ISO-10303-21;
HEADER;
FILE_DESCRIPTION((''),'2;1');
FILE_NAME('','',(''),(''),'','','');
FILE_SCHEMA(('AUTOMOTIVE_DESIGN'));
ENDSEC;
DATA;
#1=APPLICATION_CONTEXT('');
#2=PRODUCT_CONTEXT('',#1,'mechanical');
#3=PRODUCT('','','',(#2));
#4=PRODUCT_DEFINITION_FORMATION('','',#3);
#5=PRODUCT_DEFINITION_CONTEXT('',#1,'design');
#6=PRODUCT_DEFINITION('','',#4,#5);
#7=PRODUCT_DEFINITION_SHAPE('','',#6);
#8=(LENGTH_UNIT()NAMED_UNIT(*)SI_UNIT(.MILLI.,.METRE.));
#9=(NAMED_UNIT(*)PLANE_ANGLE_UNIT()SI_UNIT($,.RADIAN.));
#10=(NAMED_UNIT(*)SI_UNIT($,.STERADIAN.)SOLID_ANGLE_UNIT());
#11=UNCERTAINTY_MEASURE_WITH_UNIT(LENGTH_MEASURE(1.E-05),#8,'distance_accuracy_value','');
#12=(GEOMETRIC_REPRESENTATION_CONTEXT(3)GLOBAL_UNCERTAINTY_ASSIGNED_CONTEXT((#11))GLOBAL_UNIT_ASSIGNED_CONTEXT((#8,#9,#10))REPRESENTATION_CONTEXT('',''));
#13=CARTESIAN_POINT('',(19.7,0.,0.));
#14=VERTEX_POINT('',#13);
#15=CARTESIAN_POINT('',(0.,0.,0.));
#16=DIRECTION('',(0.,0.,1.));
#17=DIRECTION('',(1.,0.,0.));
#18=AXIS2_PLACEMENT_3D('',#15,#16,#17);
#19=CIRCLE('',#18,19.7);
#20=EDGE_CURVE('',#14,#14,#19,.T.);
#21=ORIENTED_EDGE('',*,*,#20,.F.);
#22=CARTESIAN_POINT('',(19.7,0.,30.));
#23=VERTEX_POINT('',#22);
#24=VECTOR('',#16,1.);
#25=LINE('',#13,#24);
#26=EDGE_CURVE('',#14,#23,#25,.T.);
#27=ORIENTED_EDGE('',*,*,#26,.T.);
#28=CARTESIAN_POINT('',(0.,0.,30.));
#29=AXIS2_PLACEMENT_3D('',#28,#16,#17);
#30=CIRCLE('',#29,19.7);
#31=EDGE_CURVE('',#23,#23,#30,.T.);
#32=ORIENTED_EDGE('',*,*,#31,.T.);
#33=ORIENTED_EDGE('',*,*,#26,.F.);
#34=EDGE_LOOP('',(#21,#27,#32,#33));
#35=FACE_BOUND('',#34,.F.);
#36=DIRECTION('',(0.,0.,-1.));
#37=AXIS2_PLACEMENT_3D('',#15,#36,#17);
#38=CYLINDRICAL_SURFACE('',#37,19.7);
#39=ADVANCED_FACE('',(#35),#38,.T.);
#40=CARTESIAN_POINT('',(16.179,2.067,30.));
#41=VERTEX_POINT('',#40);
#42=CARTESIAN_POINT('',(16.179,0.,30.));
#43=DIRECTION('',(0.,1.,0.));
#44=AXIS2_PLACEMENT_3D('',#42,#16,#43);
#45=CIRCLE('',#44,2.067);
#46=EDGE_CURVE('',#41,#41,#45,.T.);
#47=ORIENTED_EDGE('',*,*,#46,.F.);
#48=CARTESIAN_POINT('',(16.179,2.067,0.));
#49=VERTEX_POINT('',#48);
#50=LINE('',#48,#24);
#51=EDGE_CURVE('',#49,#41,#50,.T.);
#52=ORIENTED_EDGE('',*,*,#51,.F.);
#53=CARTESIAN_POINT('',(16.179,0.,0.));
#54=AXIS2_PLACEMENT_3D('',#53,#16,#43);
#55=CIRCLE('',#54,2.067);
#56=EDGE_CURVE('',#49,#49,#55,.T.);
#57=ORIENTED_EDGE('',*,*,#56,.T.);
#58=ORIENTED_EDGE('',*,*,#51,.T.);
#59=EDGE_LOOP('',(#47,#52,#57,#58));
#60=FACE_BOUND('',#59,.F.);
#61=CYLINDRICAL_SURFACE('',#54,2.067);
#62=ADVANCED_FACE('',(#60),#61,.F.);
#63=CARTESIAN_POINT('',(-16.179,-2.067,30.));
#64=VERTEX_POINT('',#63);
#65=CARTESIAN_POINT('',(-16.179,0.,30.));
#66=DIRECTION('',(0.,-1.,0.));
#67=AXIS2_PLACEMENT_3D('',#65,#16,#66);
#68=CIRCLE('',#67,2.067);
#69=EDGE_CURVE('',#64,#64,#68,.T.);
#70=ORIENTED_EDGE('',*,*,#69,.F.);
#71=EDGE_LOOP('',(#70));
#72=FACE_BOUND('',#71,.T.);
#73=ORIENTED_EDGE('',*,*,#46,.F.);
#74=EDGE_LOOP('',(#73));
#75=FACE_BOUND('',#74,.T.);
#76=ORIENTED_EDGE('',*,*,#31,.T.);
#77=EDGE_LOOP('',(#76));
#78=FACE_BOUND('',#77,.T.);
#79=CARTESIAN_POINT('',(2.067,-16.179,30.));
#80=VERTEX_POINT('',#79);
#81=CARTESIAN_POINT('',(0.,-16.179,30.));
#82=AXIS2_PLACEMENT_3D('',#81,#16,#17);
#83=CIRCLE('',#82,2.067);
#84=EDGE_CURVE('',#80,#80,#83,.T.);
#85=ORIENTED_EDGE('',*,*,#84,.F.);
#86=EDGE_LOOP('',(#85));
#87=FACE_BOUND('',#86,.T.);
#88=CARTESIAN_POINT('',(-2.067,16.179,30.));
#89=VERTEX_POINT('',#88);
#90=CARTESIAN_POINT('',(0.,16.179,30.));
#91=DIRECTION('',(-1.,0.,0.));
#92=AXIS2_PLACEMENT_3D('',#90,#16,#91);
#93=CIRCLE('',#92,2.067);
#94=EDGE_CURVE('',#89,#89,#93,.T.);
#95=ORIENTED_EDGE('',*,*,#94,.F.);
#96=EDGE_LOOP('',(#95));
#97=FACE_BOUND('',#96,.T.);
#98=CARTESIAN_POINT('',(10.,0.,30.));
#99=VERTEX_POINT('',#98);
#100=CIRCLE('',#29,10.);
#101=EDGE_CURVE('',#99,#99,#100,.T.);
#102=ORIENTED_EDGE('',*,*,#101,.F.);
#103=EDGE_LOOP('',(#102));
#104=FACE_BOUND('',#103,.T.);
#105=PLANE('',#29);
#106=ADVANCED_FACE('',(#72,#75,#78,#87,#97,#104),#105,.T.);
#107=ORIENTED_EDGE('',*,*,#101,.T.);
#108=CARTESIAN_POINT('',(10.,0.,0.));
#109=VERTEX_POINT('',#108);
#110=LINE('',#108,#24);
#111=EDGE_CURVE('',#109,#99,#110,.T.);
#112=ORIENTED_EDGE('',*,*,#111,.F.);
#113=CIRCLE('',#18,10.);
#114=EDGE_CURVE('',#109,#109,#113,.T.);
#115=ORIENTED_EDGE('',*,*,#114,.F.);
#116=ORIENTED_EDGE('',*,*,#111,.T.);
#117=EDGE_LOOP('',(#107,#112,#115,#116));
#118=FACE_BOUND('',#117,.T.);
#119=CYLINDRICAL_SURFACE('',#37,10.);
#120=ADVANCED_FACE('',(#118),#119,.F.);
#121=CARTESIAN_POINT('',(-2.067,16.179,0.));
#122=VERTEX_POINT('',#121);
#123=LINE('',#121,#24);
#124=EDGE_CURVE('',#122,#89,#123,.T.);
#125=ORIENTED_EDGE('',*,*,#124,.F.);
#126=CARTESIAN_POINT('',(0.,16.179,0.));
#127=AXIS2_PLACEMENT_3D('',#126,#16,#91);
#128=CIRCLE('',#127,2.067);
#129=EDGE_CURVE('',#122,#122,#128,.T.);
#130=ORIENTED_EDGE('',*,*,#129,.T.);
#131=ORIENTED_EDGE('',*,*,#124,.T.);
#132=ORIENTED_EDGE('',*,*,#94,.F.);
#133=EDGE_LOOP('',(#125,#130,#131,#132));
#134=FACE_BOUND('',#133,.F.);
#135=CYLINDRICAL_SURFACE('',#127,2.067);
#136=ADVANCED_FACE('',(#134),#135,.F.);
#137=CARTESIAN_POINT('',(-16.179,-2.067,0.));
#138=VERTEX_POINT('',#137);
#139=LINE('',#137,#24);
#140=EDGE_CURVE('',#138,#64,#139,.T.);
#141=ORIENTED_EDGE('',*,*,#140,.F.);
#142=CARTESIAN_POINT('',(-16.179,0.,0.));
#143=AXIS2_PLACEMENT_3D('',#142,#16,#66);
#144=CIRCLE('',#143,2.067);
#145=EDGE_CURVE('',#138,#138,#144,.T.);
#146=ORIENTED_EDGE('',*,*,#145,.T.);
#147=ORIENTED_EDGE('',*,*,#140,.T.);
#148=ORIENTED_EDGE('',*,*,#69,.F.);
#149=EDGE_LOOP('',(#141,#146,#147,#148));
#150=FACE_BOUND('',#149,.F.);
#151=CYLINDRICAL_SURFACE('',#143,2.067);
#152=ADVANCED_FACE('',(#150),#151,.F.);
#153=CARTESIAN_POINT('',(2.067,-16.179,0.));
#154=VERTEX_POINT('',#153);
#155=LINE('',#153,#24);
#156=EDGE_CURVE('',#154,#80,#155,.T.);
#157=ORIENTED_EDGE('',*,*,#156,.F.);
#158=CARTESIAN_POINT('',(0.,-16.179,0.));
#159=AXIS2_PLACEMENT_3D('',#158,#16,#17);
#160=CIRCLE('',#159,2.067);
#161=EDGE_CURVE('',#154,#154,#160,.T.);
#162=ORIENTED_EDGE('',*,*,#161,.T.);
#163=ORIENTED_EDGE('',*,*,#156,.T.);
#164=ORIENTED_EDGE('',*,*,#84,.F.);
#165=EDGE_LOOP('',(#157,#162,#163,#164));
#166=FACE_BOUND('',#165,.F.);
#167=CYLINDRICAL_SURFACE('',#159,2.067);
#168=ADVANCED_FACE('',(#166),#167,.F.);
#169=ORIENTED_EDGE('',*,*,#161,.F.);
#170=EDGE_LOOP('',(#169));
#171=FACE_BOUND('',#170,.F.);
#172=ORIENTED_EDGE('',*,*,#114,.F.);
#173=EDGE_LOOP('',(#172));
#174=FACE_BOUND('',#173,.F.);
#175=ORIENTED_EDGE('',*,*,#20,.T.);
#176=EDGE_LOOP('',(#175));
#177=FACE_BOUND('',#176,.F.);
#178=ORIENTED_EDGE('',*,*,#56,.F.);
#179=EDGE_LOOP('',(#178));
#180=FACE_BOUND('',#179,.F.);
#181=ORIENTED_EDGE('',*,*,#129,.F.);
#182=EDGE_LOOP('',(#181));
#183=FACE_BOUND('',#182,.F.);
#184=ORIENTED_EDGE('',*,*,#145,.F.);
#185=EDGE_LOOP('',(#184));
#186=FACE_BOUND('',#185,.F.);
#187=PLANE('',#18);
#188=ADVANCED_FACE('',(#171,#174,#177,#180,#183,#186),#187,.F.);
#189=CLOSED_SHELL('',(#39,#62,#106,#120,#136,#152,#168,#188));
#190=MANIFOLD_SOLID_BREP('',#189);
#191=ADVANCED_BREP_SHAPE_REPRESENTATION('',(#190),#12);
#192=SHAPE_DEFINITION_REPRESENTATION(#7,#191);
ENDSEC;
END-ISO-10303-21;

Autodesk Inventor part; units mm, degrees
ref_plane "YZ Plane" through (0, 0, 0) normal (1, 0, 0) x (0, 1, 0)
ref_plane "XZ Plane" through (0, 0, 0) normal (0, 1, 0) x (-1, 0, 0)
ref_plane "XY Plane" through (0, 0, 0) normal (0, 0, 1) x (1, 0, 0)
sketch "草圖1" plane through (0, 0, 0) normal (0, 0, 1) x (1, 0, 0)
  line L0 (0, 27.58) -> (0, -27.58) construction
  line L1 (0, -27.58) -> (0, 27.58) construction
  line L2 (-27.58, 0) -> (27.58, 0) construction
  circle A0 centre (0, 0) radius 10
  circle A1 centre (0, 0) radius 16.179 construction
  circle A2 centre (0, 0) radius 19.7
  point P0 (16.179, 0)
  dimension "d1" = 32.358
  dimension "d0" = 20
  dimension "d2" = 39.4
extrude "擠出1" add sketch "草圖1" along normal blind 30
hole "孔1" at (16.179, 0, 0) direction (0, 0, 1) diameter 4.134 depth 61.1
pattern_circular "環形陣列1" count 4 over 360 about axis through (0, 0, 0) along (0, 0, 1) of "孔1"
properties part number "轉接版"
